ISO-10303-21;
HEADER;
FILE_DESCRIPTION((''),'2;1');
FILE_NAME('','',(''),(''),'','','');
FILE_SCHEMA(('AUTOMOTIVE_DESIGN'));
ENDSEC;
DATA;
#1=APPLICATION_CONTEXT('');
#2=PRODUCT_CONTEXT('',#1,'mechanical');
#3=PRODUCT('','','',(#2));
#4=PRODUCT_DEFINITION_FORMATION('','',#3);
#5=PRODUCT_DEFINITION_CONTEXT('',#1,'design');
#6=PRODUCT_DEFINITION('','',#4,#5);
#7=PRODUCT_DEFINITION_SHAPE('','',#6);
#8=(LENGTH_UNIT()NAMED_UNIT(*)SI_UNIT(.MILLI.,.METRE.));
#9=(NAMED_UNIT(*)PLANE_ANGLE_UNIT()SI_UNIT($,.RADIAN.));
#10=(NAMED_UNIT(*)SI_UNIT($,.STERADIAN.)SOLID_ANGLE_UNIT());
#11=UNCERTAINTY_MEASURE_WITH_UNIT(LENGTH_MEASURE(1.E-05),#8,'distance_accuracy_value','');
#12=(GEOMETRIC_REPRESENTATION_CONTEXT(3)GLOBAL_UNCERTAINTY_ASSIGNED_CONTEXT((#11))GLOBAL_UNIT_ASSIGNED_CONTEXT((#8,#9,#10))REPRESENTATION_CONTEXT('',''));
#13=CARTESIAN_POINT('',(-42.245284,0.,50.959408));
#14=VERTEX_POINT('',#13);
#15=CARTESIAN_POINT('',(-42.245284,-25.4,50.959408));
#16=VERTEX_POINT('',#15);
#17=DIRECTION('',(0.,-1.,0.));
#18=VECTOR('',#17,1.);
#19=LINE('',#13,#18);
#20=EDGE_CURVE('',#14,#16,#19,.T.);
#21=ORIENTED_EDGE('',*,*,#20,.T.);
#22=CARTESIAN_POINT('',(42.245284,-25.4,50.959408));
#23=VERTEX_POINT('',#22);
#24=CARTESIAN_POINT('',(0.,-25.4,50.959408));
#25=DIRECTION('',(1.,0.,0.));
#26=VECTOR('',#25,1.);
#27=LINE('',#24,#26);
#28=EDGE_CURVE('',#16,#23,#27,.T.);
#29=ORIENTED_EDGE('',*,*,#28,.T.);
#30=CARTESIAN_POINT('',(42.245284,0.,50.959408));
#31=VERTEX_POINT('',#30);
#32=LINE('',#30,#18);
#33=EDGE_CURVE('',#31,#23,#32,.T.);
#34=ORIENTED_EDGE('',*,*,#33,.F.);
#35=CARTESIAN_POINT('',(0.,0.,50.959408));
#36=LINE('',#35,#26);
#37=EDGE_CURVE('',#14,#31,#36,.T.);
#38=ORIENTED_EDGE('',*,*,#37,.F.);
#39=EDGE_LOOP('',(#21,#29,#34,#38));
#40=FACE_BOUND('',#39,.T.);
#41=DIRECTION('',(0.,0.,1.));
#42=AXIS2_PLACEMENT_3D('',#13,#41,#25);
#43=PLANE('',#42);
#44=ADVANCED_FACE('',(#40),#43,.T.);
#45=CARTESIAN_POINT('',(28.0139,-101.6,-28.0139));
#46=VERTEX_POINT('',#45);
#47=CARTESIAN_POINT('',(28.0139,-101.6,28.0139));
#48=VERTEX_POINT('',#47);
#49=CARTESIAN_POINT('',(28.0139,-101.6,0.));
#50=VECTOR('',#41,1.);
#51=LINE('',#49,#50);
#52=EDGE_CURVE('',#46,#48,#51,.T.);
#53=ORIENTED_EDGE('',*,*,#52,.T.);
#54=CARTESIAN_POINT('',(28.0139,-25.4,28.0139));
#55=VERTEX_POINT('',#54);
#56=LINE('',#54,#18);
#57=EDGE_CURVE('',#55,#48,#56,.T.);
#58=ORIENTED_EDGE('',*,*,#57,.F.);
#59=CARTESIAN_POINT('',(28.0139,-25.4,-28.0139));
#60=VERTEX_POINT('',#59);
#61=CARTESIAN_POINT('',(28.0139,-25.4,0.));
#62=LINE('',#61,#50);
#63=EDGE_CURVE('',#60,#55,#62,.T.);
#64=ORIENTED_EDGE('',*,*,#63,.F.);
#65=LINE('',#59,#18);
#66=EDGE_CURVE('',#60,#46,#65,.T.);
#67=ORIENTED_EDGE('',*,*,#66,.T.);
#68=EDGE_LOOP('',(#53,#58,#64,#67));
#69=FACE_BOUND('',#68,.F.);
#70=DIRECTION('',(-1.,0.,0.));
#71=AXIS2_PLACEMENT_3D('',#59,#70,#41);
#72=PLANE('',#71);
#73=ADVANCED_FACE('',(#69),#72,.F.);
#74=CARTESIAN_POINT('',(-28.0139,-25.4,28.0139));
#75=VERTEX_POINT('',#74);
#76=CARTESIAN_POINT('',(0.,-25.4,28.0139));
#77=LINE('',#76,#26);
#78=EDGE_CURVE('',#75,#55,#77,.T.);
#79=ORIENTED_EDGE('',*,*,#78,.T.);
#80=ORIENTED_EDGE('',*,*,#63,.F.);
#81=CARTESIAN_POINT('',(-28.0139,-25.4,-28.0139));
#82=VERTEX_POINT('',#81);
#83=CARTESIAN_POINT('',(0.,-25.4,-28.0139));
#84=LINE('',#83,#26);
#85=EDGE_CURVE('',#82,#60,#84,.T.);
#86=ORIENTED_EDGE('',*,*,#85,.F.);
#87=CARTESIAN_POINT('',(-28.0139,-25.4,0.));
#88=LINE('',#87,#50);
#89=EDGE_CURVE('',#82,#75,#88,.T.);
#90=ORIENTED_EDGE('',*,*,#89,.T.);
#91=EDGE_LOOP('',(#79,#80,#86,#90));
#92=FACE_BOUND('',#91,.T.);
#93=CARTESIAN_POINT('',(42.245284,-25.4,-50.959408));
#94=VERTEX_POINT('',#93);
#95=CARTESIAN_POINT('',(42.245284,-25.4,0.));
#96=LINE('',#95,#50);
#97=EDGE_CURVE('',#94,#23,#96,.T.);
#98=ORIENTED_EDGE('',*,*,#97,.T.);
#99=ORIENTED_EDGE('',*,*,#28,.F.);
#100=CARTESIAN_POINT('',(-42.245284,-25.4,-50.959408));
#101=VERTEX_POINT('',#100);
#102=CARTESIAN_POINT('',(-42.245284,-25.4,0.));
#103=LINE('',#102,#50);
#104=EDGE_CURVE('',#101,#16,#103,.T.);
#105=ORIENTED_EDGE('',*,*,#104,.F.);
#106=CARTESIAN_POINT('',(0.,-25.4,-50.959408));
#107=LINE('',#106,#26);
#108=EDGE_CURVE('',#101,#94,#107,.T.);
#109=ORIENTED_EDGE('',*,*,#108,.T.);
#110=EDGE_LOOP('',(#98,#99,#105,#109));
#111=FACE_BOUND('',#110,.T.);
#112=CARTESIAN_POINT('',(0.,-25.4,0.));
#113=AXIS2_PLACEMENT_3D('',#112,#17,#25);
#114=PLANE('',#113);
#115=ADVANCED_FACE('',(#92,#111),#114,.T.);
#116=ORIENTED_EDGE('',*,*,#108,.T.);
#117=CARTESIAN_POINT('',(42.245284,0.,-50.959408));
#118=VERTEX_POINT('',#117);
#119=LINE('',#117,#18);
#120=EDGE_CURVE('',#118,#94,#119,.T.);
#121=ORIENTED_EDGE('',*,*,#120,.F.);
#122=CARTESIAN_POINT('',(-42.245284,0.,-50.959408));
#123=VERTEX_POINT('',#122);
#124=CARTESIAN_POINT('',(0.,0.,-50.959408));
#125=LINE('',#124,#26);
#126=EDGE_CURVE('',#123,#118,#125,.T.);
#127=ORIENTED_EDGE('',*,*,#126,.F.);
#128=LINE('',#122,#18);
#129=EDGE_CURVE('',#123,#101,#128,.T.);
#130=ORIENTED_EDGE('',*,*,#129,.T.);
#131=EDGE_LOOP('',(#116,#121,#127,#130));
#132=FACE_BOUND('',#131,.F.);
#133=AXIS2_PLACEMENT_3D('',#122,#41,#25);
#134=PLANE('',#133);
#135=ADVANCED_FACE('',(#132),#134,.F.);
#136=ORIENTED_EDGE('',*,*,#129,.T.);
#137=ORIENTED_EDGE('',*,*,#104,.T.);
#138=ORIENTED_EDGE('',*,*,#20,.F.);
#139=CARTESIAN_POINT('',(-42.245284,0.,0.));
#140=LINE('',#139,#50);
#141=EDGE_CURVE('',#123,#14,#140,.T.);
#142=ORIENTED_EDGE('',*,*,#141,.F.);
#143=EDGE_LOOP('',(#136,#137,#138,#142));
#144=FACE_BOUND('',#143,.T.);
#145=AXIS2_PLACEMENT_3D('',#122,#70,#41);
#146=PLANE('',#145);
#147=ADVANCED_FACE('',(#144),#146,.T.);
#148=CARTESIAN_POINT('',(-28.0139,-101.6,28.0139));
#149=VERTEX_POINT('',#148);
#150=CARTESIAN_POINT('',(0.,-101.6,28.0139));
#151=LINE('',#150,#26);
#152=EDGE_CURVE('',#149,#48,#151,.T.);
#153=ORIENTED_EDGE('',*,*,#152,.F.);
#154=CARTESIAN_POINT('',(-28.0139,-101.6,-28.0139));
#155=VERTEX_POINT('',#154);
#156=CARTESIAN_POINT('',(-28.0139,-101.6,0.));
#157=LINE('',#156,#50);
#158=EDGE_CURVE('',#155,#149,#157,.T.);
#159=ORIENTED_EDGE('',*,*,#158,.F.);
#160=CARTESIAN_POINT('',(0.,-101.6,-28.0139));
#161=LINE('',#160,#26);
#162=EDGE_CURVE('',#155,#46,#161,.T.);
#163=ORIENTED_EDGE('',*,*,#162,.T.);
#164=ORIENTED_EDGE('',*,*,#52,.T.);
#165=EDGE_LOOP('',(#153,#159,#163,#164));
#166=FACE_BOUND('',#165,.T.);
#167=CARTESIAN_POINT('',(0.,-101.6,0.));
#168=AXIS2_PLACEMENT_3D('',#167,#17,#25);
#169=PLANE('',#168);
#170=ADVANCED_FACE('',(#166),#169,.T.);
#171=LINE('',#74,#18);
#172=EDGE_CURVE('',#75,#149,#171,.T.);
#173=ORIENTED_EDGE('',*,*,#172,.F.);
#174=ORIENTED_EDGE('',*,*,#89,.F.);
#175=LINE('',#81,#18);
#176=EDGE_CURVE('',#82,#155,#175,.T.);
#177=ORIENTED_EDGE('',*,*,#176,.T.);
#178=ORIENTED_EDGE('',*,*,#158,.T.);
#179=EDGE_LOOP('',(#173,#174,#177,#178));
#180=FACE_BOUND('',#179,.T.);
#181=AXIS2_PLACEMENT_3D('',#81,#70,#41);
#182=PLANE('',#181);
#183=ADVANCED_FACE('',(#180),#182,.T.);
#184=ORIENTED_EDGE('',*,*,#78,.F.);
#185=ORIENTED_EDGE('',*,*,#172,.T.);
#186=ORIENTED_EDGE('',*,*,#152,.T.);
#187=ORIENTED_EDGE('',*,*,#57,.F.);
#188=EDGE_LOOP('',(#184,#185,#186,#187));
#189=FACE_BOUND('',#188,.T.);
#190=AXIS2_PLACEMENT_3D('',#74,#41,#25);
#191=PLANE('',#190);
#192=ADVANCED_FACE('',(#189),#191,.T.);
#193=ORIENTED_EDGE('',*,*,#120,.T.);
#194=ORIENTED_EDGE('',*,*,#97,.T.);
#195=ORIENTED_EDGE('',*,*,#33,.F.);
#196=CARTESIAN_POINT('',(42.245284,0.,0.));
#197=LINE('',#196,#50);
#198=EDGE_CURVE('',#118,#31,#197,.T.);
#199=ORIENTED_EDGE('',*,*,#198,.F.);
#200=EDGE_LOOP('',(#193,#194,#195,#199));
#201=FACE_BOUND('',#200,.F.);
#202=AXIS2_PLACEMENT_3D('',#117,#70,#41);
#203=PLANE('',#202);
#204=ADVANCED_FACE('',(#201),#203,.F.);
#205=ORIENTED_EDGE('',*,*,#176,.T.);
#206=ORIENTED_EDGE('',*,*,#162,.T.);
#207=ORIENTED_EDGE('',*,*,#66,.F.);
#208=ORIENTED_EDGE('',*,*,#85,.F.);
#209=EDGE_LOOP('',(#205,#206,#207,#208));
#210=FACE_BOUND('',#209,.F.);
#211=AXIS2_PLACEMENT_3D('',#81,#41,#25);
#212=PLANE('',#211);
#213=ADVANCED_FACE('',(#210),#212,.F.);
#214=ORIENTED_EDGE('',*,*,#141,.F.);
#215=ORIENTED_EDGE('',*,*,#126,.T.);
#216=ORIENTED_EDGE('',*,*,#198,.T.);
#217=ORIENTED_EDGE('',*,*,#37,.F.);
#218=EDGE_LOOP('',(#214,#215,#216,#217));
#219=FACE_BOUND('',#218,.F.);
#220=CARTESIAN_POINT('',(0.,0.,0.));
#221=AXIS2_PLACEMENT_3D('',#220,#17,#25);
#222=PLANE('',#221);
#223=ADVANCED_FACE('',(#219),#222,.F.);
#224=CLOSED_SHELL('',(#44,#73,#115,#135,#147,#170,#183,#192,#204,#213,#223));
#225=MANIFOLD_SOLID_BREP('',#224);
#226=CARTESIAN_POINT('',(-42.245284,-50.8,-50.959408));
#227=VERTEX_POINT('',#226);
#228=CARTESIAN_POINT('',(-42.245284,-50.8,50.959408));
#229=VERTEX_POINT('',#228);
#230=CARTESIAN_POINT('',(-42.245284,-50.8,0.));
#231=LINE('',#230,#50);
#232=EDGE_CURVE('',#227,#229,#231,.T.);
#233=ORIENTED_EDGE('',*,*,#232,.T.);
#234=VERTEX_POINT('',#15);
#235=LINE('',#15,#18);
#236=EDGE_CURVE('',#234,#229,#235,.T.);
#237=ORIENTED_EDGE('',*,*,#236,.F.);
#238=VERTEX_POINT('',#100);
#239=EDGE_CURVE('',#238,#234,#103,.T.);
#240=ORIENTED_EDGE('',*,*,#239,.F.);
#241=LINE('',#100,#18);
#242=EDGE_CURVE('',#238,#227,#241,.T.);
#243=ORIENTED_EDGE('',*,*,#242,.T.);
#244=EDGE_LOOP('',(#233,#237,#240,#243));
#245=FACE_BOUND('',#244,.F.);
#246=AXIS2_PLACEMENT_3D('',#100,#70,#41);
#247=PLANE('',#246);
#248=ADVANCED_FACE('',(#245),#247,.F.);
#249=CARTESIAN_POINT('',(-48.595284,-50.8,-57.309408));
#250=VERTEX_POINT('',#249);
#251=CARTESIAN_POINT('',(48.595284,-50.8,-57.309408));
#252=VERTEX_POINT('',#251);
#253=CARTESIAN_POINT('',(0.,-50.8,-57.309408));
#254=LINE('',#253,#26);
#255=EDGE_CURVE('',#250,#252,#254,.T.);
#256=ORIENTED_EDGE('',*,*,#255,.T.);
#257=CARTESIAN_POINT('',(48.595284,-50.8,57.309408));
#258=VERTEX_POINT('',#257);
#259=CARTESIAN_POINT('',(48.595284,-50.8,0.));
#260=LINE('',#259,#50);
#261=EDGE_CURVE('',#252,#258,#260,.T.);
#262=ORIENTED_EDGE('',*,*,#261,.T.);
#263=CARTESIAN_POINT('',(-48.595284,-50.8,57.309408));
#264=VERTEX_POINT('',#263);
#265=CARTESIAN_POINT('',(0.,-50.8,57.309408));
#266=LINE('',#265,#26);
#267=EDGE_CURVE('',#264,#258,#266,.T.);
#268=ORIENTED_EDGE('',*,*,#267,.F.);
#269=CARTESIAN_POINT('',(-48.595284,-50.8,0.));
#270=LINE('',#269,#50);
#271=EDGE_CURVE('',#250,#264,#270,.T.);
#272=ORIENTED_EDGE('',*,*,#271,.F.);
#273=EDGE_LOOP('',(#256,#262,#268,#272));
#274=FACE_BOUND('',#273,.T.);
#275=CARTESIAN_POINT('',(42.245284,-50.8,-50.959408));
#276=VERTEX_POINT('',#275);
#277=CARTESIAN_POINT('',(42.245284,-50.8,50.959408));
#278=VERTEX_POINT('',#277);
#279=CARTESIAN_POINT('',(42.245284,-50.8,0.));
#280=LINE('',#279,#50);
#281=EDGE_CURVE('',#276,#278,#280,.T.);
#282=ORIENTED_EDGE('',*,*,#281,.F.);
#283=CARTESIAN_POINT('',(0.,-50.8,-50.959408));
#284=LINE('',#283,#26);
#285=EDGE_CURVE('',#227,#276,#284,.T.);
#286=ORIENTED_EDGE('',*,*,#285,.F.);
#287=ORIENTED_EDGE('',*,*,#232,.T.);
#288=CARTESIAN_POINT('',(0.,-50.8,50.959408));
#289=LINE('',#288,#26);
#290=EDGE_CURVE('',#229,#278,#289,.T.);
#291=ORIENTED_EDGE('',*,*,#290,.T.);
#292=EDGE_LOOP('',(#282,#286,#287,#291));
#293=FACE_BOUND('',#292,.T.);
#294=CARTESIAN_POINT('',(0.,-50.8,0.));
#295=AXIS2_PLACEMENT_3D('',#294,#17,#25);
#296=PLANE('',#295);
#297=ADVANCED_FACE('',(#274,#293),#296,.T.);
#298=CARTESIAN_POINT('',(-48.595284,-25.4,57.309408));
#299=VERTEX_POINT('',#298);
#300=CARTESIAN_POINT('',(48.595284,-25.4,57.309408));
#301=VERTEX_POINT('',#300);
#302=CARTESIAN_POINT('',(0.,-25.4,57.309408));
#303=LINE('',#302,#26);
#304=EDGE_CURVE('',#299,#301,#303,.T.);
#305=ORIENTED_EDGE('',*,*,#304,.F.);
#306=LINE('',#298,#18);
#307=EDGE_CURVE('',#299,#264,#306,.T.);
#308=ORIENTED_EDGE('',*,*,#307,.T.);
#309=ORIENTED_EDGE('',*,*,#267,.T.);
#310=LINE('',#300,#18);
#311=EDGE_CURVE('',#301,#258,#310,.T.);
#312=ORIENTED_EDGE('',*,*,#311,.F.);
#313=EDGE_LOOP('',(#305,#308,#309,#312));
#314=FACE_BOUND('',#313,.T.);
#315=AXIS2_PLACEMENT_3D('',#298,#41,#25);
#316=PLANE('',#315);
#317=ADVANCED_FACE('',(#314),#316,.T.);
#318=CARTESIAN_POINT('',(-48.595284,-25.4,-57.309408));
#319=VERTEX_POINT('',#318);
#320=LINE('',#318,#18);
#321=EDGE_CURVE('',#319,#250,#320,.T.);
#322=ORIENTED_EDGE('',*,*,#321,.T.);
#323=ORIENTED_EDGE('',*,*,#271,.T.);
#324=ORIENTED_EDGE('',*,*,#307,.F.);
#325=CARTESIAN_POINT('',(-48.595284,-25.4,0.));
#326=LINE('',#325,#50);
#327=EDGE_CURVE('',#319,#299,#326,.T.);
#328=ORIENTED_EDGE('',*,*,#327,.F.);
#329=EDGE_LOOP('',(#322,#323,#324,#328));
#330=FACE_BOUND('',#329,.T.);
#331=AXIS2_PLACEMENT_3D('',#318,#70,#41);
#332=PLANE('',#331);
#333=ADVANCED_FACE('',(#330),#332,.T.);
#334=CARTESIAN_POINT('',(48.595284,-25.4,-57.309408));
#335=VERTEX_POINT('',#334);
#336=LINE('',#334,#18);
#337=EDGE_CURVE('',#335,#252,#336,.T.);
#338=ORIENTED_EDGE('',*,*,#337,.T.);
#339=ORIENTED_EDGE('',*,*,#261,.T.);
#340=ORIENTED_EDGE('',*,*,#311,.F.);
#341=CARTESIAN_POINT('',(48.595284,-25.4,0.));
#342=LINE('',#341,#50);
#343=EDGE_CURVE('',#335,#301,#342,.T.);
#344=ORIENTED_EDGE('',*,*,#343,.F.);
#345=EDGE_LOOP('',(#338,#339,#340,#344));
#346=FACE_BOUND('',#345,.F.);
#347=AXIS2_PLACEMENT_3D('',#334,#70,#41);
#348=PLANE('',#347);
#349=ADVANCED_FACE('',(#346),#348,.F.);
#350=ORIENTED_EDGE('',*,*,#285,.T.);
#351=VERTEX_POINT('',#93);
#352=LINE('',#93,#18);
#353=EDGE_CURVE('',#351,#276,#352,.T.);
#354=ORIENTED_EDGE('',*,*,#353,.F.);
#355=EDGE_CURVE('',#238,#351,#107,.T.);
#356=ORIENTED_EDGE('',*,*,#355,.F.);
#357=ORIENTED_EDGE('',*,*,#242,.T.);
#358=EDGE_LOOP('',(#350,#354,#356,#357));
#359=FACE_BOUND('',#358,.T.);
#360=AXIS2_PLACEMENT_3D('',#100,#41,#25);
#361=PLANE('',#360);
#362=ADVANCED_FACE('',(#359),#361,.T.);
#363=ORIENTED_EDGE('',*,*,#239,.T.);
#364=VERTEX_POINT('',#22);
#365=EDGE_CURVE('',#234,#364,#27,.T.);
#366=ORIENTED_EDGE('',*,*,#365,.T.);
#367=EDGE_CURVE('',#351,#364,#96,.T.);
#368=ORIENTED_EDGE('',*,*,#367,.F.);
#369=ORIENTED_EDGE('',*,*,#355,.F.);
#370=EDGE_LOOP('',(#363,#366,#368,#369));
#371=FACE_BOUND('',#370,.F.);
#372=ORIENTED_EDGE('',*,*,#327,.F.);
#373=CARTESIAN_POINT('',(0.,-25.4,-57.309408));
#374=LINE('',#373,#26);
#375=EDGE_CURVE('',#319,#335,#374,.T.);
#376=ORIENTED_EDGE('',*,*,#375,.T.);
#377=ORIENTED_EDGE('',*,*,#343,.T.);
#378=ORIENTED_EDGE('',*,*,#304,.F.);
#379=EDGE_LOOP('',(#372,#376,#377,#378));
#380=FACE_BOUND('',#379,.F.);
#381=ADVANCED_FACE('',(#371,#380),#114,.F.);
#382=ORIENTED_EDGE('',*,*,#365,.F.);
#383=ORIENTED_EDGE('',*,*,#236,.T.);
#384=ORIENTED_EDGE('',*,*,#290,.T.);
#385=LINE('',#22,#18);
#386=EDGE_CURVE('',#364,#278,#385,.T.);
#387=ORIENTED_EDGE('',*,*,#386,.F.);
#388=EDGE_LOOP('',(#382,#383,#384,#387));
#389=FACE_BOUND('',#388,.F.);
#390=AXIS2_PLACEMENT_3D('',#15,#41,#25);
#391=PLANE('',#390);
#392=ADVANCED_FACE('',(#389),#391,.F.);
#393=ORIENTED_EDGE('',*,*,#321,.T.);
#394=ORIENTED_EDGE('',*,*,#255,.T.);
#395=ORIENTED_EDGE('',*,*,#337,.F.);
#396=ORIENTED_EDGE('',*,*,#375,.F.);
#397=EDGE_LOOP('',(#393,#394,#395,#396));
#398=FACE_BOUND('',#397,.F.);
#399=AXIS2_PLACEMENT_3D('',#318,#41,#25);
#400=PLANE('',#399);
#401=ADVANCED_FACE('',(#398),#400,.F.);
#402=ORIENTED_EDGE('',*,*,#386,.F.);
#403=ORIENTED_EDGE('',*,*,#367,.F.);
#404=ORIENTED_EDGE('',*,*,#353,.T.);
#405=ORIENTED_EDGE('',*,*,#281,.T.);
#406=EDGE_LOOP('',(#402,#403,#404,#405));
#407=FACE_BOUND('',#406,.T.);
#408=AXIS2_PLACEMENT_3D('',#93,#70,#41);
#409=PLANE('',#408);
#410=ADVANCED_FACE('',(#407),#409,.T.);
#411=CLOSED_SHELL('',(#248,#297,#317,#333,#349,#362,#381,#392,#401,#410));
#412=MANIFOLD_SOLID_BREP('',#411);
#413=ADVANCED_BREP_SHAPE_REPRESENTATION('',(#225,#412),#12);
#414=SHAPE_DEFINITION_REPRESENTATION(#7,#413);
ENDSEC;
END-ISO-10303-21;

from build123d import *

# Parameters (mm, degrees)
F0_W     = 84.490568
F0_H     = 101.918816
F1_DEPTH = 25.4
F2_W     = 97.190568
F2_H     = 114.618816
F2_W_2   = 84.490568
F2_H_2   = 101.918816
F3_DEPTH = 25.4
F4_W     = 56.0278
F4_H     = 56.0278
F5_DEPTH = 76.2


with BuildPart() as f1:
    # F0 (on Front) → F1 (new body)
    with BuildSketch(Plane.XZ):
        Rectangle(F0_W, F0_H)
    extrude(amount=F1_DEPTH)

    # F4 (on face) → F5 (join)
    with BuildSketch(Plane.XZ.offset(25.4)):
        Rectangle(F4_W, F4_H)
    extrude(amount=F5_DEPTH)


with BuildPart() as f3:
    # F2 (on face) → F3 (new body)
    with BuildSketch(Plane.XZ.offset(25.4)):
        Rectangle(F2_W, F2_H)
        Rectangle(F2_W_2, F2_H_2, mode=Mode.SUBTRACT)
    extrude(amount=F3_DEPTH)


solid = Compound([f1.part, f3.part])
